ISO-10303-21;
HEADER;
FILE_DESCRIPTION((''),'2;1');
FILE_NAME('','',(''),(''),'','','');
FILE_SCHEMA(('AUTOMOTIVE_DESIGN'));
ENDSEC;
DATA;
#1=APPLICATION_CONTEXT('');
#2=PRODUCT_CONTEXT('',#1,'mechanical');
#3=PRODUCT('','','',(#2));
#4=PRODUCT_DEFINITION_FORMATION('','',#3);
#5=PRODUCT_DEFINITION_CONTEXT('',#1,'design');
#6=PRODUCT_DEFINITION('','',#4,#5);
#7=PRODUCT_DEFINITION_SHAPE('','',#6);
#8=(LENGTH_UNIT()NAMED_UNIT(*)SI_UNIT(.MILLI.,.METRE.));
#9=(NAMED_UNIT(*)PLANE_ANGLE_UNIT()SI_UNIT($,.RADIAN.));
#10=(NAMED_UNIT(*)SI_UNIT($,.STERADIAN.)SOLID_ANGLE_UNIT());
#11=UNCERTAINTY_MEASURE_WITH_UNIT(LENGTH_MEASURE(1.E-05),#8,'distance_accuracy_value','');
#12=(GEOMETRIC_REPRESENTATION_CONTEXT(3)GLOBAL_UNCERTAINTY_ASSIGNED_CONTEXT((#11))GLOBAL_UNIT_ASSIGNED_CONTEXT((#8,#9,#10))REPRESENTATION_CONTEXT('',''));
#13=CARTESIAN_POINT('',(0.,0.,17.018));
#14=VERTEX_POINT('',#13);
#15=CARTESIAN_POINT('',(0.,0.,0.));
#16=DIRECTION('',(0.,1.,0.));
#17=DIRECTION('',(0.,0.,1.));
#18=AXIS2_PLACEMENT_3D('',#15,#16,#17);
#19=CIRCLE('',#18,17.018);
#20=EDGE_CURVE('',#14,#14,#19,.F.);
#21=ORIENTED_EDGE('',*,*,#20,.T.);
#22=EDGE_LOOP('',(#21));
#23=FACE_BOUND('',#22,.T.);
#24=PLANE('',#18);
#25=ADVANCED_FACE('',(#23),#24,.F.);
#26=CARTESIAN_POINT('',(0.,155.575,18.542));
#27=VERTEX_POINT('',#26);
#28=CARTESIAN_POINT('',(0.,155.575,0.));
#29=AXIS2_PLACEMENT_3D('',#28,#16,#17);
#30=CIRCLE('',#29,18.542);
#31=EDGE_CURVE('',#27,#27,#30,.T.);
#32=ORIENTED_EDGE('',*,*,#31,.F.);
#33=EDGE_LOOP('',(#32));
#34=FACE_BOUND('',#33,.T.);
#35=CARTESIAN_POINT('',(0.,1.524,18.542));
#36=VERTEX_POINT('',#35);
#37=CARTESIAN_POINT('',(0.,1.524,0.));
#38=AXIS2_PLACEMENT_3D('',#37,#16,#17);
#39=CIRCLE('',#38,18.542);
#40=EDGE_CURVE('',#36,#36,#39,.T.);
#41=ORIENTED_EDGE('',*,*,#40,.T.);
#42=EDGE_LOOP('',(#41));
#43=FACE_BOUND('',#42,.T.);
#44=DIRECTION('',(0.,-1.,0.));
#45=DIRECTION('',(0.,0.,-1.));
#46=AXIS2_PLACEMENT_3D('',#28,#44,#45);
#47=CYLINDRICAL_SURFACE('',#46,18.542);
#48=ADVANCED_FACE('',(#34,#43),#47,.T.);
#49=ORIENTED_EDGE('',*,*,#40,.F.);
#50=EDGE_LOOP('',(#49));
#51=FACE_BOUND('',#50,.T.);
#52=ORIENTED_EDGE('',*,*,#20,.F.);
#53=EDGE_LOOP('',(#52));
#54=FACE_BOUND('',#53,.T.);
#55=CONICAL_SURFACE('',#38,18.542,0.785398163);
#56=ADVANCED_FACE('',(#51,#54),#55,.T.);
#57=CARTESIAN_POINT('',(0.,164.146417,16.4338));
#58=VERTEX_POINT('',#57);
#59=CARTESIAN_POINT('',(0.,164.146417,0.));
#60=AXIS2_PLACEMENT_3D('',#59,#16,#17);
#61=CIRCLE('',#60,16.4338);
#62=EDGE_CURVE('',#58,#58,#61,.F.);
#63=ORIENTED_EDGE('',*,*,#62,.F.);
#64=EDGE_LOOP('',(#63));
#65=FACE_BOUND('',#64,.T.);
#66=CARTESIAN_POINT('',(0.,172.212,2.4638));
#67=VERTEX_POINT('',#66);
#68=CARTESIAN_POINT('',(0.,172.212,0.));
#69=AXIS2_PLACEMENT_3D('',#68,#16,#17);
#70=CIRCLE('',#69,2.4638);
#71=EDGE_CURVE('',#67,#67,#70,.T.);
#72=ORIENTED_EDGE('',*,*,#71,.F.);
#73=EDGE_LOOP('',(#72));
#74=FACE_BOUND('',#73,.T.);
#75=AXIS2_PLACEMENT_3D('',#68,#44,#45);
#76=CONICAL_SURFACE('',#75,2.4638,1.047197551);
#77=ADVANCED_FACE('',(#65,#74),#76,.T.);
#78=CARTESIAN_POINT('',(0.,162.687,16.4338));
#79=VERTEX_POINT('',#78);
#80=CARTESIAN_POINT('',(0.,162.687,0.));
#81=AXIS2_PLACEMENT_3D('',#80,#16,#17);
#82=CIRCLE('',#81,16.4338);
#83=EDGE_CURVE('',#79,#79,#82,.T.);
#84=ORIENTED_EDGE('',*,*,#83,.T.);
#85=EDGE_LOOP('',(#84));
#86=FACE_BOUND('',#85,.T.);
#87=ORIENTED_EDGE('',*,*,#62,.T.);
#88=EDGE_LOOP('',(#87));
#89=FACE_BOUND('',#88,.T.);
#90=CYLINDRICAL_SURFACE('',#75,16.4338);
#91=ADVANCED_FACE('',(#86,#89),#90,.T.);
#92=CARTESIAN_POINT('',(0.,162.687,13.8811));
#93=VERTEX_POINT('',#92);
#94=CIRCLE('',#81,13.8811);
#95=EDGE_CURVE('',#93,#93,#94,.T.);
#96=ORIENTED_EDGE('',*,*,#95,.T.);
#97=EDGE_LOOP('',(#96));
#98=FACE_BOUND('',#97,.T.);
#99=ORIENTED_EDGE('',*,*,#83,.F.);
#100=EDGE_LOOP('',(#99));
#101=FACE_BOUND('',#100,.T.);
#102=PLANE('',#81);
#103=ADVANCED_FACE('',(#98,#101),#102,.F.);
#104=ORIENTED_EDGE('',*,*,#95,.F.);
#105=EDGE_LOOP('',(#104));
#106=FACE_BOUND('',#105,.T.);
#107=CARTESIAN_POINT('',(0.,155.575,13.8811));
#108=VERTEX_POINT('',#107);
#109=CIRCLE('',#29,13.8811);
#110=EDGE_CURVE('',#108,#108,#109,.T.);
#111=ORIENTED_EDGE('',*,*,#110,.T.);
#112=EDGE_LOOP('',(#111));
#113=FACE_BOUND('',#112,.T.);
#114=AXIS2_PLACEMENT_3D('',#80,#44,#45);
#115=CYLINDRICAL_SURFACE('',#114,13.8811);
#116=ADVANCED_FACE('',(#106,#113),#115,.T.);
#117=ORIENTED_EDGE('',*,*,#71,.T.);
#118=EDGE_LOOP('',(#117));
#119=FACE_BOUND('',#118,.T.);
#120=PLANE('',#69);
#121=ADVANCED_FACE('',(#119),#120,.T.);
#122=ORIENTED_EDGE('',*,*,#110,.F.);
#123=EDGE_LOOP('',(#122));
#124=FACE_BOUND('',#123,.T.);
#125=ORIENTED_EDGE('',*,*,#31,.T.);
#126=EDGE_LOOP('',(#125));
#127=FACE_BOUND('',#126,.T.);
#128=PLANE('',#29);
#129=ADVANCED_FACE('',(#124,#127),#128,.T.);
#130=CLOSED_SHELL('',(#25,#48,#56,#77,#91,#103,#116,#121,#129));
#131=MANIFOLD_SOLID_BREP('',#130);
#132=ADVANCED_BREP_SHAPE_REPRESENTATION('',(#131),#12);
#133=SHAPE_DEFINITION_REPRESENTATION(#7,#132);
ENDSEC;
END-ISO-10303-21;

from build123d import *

# Parameters (mm, degrees)
SKETCH1_R           = 18.542
BOSS_EXTRUDE1_DEPTH = 155.575
SKETCH2_R           = 13.8811
BOSS_EXTRUDE2_DEPTH = 7.112
SKETCH3_R           = 16.4338
BOSS_EXTRUDE3_DEPTH = 9.525
CHAMFER1_SIZE       = 13.97
CHAMFER1_SIZE2      = 8.065583261
CHAMFER2_SIZE       = 1.524


with BuildPart() as part:
    # Sketch1 → Boss-Extrude1 (new body)
    with BuildSketch(Plane(origin=(0, 0, 0), x_dir=(1, 0, 0), z_dir=(0, 1, 0))):
        Circle(SKETCH1_R)
    extrude(amount=BOSS_EXTRUDE1_DEPTH)

    # Sketch2 → Boss-Extrude2 (add)
    with BuildSketch(Plane(origin=(0, 155.575, 0), x_dir=(1, 0, 0), z_dir=(0, 1, 0))):
        Circle(SKETCH2_R)
    extrude(amount=BOSS_EXTRUDE2_DEPTH)

    # Sketch3 → Boss-Extrude3 (add)
    with BuildSketch(Plane(origin=(0, 162.687, 0), x_dir=(1, 0, 0), z_dir=(0, 1, 0))):
        Circle(SKETCH3_R)
    extrude(amount=BOSS_EXTRUDE3_DEPTH)

    # Chamfer1
    chamfer1_edges = [part.edges().sort_by_distance(p)[0] for p in [
        (-16.4338, 172.212, 0),
    ]]
    chamfer1_side = [part.faces().sort_by_distance(p)[0] for p in [
        (0, 172.212, 0),
    ]]
    chamfer(chamfer1_edges, length=CHAMFER1_SIZE, length2=CHAMFER1_SIZE2, reference=chamfer1_side[0])

    # Chamfer2
    chamfer2_edges = [part.edges().sort_by_distance(p)[0] for p in [
        (-18.542, 0, 0),
    ]]
    chamfer(chamfer2_edges, length=CHAMFER2_SIZE)


solid = part.part
